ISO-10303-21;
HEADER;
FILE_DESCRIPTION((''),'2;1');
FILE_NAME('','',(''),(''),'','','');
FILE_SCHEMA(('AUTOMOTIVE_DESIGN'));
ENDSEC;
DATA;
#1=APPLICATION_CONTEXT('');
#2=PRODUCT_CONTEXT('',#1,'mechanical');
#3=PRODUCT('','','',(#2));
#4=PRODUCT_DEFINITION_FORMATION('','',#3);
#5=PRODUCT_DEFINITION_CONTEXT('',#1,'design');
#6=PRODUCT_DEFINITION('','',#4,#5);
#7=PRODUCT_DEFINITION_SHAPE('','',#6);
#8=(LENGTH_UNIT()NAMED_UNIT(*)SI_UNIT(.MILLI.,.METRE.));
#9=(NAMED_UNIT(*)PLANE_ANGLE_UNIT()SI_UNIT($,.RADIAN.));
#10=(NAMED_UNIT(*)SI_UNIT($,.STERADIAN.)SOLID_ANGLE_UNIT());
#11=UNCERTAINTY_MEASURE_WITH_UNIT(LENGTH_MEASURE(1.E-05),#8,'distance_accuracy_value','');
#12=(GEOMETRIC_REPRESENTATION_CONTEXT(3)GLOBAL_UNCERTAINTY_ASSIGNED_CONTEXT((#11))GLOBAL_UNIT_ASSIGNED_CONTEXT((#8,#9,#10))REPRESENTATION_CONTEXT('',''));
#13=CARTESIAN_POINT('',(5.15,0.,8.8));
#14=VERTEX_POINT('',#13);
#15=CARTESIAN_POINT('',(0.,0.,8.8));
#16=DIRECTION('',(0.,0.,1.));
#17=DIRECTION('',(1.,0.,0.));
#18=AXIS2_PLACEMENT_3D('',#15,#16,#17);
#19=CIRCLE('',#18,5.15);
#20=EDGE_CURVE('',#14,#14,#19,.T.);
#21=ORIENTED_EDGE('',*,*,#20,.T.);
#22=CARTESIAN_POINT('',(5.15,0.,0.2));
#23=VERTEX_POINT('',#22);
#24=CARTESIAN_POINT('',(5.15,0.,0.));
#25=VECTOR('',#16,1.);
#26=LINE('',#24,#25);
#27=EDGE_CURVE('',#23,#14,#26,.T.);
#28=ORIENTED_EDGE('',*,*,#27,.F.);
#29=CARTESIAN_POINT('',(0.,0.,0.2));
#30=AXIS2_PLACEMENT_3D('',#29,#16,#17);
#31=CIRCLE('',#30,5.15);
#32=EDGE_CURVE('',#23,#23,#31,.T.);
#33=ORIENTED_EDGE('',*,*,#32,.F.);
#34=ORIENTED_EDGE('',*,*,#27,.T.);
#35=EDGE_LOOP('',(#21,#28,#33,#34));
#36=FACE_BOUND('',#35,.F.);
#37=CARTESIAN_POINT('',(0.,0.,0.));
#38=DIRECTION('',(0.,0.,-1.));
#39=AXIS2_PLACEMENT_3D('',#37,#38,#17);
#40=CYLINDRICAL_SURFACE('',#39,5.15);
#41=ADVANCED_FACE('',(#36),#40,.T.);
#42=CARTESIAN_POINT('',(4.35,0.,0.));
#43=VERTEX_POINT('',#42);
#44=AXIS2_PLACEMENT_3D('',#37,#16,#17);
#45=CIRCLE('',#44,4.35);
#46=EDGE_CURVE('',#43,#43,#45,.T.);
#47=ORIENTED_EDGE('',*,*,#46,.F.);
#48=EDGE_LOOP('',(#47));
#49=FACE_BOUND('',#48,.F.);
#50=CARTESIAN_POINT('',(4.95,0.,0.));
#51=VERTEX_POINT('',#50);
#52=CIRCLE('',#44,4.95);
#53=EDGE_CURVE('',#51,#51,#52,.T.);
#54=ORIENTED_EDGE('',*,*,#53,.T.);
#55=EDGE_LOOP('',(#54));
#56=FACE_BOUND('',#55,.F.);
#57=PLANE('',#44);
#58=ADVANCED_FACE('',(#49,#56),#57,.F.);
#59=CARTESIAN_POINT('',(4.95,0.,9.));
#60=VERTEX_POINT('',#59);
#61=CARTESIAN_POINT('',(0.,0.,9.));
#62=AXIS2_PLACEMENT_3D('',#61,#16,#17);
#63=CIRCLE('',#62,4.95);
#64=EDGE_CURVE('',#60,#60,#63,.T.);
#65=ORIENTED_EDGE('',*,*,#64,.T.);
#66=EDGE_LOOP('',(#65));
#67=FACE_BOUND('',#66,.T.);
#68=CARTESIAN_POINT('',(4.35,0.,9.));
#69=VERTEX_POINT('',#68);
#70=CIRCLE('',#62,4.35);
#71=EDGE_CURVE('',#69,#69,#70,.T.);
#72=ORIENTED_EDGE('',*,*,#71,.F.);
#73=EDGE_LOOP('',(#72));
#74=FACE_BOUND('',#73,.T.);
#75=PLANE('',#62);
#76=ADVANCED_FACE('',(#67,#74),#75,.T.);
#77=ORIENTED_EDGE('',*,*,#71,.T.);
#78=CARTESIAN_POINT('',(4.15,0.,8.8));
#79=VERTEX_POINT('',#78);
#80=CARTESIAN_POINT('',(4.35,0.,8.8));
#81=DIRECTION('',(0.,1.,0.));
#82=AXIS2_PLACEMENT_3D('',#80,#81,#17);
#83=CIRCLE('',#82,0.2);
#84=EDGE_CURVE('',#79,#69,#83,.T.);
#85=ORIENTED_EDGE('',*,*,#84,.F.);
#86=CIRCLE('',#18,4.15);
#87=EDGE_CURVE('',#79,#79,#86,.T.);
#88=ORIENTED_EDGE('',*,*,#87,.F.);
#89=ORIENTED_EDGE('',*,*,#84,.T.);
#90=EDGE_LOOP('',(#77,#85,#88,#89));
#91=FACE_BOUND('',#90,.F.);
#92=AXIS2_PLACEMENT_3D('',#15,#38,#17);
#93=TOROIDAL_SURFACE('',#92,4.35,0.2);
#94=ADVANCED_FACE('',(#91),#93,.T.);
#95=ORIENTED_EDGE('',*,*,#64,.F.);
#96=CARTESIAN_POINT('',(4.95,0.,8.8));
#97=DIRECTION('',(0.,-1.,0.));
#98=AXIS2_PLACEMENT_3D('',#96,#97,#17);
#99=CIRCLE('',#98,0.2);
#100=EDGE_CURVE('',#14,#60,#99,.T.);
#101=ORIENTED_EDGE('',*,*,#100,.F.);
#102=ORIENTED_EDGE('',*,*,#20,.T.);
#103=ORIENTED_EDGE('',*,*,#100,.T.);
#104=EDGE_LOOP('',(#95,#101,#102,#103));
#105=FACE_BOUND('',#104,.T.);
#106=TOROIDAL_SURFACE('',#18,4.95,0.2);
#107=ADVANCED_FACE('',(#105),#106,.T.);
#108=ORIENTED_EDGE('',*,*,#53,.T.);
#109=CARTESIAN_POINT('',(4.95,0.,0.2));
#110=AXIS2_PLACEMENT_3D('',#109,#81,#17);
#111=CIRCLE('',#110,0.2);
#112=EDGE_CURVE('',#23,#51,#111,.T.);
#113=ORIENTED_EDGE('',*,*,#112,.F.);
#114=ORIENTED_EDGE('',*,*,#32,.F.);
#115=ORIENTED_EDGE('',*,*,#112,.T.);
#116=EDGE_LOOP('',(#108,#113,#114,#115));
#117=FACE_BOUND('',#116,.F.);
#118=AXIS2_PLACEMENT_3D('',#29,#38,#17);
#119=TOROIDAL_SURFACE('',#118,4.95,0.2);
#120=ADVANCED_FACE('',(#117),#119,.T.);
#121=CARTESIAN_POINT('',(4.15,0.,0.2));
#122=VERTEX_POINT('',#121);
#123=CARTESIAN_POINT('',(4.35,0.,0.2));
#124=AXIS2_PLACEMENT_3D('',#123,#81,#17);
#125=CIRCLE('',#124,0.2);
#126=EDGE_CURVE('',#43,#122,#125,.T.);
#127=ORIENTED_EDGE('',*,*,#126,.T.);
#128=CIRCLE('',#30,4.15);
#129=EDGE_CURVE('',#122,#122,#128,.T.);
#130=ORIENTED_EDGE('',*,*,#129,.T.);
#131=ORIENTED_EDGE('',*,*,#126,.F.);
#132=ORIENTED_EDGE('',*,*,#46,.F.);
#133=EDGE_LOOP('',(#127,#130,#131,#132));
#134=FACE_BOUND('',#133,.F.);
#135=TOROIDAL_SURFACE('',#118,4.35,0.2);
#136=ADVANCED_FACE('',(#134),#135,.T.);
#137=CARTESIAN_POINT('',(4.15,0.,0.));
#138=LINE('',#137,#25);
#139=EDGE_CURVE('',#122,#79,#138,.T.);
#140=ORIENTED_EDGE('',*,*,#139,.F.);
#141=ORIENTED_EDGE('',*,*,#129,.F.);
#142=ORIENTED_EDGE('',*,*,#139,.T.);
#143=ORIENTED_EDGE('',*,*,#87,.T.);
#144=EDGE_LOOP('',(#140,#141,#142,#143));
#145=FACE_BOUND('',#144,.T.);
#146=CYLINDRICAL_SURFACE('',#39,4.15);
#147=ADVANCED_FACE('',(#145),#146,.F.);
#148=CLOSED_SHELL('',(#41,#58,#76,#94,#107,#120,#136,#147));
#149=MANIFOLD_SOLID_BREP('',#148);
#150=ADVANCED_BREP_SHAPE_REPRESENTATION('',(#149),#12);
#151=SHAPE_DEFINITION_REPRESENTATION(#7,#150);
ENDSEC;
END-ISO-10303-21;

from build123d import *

# Parameters (mm, degrees)
SKETCH_R    = 5.15
SKETCH_R_2  = 4.15
PAD_DEPTH   = 9
FILLET_R    = 0.2
FILLET001_R = 0.2


with BuildPart() as part:
    # Sketch → Pad (new body)
    with BuildSketch(Plane.XY):
        Circle(SKETCH_R)
        Circle(SKETCH_R_2, mode=Mode.SUBTRACT)
    extrude(amount=PAD_DEPTH)

    # Fillet
    fillet_edges = [part.edges().sort_by_distance(p)[0] for p in [
        (-5.15, 0, 9),
        (-4.15, 0, 9),
    ]]
    fillet(fillet_edges, radius=FILLET_R)

    # Fillet001
    fillet001_edges = [part.edges().sort_by_distance(p)[0] for p in [
        (-5.15, 0, 0),
        (-4.15, 0, 0),
    ]]
    fillet(fillet001_edges, radius=FILLET001_R)


solid = part.part
